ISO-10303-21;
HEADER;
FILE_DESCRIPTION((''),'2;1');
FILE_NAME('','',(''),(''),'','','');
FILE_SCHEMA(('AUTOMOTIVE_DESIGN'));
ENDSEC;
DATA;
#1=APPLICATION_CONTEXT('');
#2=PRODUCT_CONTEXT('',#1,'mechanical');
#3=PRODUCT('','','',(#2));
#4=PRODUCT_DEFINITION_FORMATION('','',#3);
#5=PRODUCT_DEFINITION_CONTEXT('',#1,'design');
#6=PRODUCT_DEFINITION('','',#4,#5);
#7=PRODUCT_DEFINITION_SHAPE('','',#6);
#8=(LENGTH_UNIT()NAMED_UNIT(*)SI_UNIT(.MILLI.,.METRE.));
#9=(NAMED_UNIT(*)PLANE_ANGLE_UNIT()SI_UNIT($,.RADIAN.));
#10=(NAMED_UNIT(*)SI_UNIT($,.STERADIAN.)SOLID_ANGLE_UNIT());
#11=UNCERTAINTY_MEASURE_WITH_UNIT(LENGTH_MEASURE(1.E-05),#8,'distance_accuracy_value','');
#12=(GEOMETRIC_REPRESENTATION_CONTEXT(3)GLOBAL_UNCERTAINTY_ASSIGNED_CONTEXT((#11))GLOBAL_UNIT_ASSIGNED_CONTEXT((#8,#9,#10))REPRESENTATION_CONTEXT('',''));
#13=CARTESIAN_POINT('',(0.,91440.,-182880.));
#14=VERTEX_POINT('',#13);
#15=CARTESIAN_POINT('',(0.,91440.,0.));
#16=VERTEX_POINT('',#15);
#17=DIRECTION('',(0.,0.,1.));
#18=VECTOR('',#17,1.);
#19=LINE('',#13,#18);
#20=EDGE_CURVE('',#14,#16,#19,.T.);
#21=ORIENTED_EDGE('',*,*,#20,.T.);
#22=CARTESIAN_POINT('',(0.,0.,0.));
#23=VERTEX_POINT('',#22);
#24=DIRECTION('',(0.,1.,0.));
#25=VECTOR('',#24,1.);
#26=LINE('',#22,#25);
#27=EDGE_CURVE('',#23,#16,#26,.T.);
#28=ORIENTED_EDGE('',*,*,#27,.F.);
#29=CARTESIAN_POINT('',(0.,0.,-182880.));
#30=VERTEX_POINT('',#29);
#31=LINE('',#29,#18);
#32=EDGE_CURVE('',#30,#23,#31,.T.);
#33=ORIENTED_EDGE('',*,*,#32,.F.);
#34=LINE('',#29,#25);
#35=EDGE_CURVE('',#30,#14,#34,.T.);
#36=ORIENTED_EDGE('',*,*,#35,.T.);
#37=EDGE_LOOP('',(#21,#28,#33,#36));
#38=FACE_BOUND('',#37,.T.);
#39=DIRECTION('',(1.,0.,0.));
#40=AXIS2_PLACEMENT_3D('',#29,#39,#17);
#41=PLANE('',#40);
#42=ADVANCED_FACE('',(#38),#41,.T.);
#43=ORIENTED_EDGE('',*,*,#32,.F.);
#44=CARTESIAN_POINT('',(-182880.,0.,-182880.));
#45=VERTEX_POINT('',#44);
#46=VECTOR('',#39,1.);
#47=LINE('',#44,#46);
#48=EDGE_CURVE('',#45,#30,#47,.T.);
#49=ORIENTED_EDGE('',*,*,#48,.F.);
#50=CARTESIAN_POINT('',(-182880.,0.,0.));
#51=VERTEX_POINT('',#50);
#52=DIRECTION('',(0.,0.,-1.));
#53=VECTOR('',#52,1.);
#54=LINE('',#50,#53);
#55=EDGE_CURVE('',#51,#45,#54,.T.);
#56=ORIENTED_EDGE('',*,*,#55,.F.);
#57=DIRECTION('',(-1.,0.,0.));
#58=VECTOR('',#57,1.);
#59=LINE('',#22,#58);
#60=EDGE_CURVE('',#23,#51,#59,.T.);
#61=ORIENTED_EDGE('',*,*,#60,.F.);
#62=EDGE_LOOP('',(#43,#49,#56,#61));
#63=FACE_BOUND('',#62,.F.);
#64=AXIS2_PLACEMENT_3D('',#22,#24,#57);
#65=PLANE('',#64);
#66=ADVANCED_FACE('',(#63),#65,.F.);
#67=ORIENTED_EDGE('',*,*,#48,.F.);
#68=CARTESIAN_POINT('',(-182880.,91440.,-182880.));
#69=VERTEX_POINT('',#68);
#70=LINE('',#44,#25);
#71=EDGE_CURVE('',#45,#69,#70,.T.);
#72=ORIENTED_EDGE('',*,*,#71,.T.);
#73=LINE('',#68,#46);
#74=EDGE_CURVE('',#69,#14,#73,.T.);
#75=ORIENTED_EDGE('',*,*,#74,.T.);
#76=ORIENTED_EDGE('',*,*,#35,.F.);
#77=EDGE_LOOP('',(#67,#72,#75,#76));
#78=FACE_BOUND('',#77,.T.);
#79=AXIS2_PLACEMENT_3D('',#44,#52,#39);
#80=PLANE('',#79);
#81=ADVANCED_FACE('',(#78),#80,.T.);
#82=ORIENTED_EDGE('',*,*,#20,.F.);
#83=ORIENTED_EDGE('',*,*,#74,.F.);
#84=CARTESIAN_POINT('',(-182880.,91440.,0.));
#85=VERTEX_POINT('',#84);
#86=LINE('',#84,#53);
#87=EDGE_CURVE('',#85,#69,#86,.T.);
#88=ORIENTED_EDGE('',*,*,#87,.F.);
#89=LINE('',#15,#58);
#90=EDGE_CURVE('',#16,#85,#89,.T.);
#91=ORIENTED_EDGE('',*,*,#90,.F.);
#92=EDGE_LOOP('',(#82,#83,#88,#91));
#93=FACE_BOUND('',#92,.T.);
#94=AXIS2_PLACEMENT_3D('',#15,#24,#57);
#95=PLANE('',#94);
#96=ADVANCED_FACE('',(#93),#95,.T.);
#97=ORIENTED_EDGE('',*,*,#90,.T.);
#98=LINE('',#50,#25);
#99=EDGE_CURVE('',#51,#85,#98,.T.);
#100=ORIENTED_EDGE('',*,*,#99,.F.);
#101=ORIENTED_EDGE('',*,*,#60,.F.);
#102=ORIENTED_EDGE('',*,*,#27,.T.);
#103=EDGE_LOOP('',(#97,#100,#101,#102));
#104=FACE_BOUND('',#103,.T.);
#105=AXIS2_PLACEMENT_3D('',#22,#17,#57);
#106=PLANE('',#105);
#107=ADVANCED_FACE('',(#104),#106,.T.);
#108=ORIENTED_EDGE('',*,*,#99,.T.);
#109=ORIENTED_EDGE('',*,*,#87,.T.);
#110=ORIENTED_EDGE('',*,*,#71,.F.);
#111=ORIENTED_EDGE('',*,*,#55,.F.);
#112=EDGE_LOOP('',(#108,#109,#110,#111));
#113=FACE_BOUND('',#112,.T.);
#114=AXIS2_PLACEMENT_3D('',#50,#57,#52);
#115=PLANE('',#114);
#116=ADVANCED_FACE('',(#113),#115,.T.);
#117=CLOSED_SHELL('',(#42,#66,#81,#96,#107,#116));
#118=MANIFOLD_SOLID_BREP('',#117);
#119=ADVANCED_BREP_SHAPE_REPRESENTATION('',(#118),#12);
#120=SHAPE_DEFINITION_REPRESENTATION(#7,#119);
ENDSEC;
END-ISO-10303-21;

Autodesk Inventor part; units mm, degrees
ref_plane "YZ Plane" through (0, 0, 0) normal (1, 0, 0) x (0, 1, 0)
ref_plane "XZ Plane" through (0, 0, 0) normal (0, 1, 0) x (-1, 0, 0)
ref_plane "XY Plane" through (0, 0, 0) normal (0, 0, 1) x (1, 0, 0)
sketch "Sketch1" plane through (0, 0, 0) normal (0, 1, 0) x (-1, 0, 0)
  point P0 (0, 0)
sketch "Sketch2" plane through (0, 0, 0) normal (0, 1, 0) x (-1, 0, 0)
  line L0 (0, 0) -> (182880, 0)
  line L1 (182880, 0) -> (182880, -182880)
  line L2 (182880, -182880) -> (0, -182880)
  line L3 (0, -182880) -> (0, 0)
  dimension "d0" = 182880
  dimension "d1" = 182880
extrude "Extrusion1" add sketch "Sketch2" along normal blind 91440
sketch3d "3D Sketch17"
